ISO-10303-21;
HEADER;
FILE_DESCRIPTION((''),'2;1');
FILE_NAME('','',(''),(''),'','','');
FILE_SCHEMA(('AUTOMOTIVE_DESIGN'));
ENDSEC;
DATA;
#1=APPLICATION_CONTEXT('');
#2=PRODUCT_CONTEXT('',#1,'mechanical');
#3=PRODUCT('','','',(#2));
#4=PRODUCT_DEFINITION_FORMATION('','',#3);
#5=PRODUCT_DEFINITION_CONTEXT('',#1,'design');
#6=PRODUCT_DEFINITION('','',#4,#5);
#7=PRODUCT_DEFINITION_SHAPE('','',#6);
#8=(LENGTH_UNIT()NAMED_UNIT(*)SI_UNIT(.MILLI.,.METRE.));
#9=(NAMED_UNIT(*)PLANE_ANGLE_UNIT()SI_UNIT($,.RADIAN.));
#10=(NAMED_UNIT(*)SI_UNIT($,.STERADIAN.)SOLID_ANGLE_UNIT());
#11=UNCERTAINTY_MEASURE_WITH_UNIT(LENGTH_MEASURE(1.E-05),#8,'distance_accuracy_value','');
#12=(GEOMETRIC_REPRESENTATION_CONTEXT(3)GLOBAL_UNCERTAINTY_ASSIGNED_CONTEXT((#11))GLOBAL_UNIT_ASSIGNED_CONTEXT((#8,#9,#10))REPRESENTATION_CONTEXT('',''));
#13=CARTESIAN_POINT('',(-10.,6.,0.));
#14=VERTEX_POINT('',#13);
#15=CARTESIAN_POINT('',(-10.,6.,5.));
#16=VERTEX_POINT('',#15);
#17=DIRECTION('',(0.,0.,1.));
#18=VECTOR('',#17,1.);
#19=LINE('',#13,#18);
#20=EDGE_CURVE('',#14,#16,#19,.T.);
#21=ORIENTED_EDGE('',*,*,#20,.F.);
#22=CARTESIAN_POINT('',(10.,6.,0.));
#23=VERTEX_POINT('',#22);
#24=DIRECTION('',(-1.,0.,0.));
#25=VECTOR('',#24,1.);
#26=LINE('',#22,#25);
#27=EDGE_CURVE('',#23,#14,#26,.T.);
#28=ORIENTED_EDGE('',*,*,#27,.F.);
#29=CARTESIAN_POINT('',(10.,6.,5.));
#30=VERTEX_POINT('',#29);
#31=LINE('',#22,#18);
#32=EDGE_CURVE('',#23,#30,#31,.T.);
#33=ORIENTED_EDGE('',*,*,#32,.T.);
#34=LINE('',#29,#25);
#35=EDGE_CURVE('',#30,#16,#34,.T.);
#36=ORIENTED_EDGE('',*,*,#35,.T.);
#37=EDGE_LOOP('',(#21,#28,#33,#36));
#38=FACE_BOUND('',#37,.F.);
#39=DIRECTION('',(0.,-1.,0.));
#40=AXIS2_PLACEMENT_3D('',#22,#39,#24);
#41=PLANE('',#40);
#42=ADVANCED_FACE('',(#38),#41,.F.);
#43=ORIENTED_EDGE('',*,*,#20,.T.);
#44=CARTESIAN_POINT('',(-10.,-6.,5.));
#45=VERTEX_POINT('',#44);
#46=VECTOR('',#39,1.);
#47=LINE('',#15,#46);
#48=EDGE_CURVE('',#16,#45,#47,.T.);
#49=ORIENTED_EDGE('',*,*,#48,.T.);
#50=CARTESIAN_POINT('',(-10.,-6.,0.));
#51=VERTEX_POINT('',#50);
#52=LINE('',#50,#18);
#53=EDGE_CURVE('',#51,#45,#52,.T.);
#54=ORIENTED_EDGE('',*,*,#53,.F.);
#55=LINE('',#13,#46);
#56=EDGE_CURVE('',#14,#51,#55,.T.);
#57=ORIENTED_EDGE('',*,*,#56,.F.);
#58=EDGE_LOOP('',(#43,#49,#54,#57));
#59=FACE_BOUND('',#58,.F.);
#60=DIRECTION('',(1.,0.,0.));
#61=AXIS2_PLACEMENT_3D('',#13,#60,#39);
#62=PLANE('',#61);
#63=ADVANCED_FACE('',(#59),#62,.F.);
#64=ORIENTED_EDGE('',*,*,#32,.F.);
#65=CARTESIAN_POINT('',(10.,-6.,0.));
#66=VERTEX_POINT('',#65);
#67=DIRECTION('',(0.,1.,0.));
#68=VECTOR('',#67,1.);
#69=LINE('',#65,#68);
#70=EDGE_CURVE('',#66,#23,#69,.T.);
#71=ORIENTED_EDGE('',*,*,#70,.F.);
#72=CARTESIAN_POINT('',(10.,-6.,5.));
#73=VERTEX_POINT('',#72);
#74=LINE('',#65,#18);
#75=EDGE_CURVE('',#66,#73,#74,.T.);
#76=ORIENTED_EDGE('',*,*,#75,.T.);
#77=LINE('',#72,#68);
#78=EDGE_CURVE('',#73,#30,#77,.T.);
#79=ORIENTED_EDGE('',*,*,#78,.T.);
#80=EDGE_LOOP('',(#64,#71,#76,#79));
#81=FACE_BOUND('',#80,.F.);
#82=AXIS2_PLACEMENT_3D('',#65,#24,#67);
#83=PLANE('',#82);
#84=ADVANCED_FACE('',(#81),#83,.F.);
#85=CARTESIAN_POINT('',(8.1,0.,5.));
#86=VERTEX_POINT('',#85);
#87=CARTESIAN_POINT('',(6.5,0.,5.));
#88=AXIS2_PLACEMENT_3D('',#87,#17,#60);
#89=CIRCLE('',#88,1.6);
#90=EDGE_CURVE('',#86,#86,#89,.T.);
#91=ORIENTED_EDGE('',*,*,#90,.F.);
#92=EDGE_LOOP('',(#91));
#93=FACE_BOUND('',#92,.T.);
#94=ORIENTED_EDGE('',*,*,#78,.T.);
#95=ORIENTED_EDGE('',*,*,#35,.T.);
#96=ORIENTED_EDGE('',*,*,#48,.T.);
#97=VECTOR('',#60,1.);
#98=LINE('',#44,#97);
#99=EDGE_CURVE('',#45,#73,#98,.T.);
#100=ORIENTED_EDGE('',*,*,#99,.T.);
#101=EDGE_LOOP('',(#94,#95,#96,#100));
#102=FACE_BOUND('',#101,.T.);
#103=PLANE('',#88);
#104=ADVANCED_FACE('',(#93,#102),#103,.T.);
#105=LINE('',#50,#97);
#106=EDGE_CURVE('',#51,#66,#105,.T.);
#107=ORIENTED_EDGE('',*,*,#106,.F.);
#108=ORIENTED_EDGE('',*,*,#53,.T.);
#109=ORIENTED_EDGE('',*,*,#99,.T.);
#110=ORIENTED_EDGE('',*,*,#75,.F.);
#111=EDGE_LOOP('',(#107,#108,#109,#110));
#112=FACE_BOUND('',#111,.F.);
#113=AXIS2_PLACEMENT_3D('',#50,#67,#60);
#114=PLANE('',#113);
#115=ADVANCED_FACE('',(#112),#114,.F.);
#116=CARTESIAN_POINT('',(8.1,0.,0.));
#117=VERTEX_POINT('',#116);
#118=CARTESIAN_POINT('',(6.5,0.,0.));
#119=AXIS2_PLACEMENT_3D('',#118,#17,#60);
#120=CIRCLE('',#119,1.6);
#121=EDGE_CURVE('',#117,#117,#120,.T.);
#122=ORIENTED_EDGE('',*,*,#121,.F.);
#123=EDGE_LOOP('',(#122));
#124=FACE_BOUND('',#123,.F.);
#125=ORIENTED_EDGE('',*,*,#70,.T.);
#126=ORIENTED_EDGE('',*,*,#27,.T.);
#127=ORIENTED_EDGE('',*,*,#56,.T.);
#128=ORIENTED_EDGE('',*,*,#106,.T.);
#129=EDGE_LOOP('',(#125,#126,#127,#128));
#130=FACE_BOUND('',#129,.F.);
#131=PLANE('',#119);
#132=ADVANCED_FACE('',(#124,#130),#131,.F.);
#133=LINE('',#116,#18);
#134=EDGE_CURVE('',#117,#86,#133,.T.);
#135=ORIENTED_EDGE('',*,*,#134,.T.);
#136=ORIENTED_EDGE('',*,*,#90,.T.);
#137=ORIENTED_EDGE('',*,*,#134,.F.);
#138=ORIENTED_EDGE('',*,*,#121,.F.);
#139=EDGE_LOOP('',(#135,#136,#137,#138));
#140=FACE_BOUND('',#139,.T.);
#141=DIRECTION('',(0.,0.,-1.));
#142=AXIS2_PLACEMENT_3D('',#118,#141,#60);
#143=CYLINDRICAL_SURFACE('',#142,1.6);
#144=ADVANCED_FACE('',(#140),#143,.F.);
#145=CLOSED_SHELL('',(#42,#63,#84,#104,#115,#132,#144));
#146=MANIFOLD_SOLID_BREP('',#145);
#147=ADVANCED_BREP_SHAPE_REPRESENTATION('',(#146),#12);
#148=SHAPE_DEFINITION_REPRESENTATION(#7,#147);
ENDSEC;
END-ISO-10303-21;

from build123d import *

# Parameters (mm, degrees)
F0_R     = 1.6
F1_DEPTH = 5


with BuildPart() as f1:
    # F0 (on Top) → F1 (new body)
    with BuildSketch(Plane.XY):
        with Locations((6.5, 0)):
            Circle(F0_R)
        Polygon((10, 0), (10, 6), (-10, 6), (-10, -6), (10, -6), align=None)
        with Locations((6.5, 0)):
            Circle(F0_R, mode=Mode.SUBTRACT)
    extrude(amount=F1_DEPTH)


solid = f1.part
